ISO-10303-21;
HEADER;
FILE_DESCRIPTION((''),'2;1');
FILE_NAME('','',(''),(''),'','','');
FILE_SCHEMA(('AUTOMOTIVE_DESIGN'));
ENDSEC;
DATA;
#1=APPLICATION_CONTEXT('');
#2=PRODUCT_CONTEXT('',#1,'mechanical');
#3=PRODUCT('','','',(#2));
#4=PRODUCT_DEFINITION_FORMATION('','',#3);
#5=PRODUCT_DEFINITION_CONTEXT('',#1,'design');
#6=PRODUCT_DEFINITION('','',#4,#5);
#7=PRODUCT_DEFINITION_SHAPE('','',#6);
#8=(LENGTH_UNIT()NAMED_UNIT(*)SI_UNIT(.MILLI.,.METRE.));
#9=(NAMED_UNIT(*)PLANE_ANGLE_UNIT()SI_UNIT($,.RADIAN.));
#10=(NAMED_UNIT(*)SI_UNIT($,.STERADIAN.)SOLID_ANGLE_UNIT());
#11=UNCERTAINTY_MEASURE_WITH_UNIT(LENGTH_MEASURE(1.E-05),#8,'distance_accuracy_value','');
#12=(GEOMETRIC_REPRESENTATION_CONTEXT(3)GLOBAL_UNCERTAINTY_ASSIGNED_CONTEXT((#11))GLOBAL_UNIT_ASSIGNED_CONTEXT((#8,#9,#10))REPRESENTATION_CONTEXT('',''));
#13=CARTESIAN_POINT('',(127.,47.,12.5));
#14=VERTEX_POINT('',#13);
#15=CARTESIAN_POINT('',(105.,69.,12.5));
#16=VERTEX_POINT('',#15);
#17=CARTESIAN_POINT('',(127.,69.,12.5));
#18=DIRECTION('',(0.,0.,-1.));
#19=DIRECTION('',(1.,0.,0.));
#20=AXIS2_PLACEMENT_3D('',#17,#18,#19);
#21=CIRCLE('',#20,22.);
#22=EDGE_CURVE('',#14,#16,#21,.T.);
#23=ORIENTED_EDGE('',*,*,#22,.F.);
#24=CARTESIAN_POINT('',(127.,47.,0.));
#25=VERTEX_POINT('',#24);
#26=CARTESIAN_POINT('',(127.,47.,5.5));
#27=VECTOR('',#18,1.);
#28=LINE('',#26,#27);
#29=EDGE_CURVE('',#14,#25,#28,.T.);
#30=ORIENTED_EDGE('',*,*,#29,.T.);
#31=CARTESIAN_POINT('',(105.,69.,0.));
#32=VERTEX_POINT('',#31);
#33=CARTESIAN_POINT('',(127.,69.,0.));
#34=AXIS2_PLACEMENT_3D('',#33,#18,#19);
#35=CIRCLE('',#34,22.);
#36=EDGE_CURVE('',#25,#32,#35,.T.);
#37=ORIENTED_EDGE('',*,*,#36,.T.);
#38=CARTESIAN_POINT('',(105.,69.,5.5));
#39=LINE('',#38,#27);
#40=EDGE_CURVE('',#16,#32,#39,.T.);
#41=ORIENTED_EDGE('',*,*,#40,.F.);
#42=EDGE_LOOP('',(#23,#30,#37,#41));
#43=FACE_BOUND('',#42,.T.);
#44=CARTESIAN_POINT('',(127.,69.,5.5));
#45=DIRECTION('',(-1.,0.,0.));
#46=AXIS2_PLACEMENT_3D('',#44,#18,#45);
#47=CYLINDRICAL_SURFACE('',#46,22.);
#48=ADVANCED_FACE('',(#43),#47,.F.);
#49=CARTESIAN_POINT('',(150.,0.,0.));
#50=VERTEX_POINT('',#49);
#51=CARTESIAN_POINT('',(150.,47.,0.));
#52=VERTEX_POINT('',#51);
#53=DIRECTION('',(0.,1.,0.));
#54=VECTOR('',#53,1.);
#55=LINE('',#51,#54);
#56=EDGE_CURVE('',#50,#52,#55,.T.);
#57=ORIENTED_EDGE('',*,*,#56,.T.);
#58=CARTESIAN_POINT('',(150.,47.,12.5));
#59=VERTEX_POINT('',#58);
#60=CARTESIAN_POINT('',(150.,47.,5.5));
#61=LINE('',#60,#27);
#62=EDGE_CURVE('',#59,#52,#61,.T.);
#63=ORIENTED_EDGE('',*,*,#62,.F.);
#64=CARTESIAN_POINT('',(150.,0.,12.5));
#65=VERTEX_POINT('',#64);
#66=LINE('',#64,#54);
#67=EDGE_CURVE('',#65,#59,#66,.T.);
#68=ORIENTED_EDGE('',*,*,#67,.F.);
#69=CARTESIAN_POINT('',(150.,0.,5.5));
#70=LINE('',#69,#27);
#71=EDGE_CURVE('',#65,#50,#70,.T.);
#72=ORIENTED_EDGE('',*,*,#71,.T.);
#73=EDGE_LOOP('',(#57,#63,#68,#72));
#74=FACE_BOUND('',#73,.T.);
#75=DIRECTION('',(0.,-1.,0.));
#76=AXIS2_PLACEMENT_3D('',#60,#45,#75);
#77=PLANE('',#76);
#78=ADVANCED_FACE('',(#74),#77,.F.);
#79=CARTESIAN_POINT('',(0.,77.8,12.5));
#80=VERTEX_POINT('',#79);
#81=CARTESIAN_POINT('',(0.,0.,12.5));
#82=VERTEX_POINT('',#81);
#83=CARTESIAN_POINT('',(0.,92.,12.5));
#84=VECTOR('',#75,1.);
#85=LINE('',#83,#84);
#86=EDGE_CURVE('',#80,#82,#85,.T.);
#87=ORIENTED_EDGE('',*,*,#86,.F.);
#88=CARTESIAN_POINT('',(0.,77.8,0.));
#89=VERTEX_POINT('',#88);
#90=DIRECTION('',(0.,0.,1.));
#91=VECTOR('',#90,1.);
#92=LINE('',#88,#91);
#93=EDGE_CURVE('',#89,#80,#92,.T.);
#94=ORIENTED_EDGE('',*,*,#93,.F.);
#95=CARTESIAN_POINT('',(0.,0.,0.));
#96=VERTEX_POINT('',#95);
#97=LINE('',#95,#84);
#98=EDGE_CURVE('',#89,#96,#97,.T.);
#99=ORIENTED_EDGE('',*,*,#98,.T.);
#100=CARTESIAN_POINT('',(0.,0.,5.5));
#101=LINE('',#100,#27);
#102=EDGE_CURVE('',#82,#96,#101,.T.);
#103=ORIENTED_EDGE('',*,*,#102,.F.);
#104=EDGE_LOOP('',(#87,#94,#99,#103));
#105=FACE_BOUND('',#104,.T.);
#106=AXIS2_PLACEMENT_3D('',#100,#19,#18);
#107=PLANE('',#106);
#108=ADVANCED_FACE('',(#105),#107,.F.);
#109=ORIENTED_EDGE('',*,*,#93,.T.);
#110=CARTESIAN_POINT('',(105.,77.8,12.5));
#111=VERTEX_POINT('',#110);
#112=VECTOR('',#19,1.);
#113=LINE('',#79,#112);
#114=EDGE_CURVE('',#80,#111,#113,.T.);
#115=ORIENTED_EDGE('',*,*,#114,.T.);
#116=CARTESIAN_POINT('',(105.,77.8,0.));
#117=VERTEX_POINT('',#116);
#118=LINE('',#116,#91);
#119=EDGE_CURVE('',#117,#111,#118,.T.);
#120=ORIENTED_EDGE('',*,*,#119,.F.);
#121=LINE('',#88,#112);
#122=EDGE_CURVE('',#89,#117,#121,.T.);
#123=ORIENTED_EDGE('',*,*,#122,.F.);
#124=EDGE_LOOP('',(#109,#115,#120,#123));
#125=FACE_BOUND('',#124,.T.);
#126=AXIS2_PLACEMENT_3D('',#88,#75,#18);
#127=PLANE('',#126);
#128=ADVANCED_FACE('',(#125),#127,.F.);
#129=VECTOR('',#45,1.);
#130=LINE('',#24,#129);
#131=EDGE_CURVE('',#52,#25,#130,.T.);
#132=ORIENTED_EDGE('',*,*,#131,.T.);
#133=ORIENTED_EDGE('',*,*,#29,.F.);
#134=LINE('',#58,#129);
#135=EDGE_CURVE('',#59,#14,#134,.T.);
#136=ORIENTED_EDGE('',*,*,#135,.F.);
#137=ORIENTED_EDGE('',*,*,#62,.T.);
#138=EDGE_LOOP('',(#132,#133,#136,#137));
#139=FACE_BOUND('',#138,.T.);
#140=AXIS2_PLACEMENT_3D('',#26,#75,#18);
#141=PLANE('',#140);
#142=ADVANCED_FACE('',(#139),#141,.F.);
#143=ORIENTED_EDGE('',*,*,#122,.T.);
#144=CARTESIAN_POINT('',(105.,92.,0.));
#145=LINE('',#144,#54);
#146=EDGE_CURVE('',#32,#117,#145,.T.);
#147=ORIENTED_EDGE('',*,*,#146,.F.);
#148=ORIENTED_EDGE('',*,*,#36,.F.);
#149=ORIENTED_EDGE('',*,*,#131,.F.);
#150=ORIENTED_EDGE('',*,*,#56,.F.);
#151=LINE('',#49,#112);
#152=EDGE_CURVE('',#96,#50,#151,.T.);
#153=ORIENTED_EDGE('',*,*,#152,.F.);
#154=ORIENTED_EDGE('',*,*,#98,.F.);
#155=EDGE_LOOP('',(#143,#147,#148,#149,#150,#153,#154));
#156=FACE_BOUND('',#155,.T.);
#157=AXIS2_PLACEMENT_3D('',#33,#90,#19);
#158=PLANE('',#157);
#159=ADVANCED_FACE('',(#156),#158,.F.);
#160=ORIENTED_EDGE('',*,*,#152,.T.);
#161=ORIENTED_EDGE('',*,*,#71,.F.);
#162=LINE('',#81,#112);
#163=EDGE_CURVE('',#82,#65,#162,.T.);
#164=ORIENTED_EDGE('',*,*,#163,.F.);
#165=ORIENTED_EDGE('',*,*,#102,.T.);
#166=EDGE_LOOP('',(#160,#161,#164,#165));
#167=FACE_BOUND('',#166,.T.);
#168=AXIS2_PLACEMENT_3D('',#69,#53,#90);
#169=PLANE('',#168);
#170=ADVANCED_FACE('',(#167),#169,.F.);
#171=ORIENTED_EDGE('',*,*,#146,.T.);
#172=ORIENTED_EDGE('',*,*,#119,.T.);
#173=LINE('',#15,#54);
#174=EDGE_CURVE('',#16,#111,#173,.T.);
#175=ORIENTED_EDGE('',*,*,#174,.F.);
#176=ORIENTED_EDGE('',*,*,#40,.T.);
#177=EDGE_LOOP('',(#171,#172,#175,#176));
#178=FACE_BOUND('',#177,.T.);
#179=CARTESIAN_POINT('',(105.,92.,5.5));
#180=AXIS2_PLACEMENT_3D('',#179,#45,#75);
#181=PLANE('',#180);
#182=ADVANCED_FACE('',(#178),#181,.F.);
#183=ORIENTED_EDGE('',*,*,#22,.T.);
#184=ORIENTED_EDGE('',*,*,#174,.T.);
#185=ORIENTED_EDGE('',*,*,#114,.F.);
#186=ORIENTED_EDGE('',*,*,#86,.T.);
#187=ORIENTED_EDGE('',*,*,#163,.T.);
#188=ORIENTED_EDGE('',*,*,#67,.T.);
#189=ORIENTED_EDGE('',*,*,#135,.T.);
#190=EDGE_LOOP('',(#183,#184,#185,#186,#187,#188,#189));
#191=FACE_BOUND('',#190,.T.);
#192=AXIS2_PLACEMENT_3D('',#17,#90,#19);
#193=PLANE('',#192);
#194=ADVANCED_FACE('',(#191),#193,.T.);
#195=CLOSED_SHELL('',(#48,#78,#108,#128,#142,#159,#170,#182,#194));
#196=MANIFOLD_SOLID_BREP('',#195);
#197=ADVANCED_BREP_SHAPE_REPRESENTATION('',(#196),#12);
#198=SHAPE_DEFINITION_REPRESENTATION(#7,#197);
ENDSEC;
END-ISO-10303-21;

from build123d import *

# Parameters (mm, degrees)
BOSS_EXTRUDE1_DEPTH = 5.5
BOSS_EXTRUDE2_DEPTH = 7
SKETCH3_W           = 105
SKETCH3_H           = 14.2
CUT_EXTRUDE1_DEPTH  = 177.40932515


with BuildPart() as part:
    # Sketch1 → Boss-Extrude1 (new body)
    with BuildSketch(Plane.XY):
        with BuildLine():
            Line((127, 47), (150, 47))
            Line((150, 47), (150, 0))
            Line((150, 0), (0, 0))
            Line((0, 0), (0, 69))
            Line((0, 69), (0, 92))
            Line((0, 92), (105, 92))
            Line((105, 92), (105, 69))
            ThreePointArc((105, 69), (111.443650814, 53.443650814), (127, 47))
        make_face()
    extrude(amount=BOSS_EXTRUDE1_DEPTH)

    # Sketch2 → Boss-Extrude2 (add)
    with BuildSketch(Plane.XY.offset(5.5)):
        with BuildLine():
            Line((0, 92), (0, 0))
            Line((0, 0), (150, 0))
            Line((150, 0), (150, 47))
            Line((150, 47), (127, 47))
            ThreePointArc((127, 47), (111.443650814, 53.443650814), (105, 69))
            Line((105, 69), (105, 92))
            Line((105, 92), (0, 92))
        make_face()
    extrude(amount=BOSS_EXTRUDE2_DEPTH)

    # Sketch3 → Cut-Extrude1 (cut, through all)
    with BuildSketch(Plane.XY.offset(12.5)):
        with Locations((52.5, 84.9)):
            Rectangle(SKETCH3_W, SKETCH3_H)
    extrude(amount=-CUT_EXTRUDE1_DEPTH, mode=Mode.SUBTRACT)


solid = part.part
